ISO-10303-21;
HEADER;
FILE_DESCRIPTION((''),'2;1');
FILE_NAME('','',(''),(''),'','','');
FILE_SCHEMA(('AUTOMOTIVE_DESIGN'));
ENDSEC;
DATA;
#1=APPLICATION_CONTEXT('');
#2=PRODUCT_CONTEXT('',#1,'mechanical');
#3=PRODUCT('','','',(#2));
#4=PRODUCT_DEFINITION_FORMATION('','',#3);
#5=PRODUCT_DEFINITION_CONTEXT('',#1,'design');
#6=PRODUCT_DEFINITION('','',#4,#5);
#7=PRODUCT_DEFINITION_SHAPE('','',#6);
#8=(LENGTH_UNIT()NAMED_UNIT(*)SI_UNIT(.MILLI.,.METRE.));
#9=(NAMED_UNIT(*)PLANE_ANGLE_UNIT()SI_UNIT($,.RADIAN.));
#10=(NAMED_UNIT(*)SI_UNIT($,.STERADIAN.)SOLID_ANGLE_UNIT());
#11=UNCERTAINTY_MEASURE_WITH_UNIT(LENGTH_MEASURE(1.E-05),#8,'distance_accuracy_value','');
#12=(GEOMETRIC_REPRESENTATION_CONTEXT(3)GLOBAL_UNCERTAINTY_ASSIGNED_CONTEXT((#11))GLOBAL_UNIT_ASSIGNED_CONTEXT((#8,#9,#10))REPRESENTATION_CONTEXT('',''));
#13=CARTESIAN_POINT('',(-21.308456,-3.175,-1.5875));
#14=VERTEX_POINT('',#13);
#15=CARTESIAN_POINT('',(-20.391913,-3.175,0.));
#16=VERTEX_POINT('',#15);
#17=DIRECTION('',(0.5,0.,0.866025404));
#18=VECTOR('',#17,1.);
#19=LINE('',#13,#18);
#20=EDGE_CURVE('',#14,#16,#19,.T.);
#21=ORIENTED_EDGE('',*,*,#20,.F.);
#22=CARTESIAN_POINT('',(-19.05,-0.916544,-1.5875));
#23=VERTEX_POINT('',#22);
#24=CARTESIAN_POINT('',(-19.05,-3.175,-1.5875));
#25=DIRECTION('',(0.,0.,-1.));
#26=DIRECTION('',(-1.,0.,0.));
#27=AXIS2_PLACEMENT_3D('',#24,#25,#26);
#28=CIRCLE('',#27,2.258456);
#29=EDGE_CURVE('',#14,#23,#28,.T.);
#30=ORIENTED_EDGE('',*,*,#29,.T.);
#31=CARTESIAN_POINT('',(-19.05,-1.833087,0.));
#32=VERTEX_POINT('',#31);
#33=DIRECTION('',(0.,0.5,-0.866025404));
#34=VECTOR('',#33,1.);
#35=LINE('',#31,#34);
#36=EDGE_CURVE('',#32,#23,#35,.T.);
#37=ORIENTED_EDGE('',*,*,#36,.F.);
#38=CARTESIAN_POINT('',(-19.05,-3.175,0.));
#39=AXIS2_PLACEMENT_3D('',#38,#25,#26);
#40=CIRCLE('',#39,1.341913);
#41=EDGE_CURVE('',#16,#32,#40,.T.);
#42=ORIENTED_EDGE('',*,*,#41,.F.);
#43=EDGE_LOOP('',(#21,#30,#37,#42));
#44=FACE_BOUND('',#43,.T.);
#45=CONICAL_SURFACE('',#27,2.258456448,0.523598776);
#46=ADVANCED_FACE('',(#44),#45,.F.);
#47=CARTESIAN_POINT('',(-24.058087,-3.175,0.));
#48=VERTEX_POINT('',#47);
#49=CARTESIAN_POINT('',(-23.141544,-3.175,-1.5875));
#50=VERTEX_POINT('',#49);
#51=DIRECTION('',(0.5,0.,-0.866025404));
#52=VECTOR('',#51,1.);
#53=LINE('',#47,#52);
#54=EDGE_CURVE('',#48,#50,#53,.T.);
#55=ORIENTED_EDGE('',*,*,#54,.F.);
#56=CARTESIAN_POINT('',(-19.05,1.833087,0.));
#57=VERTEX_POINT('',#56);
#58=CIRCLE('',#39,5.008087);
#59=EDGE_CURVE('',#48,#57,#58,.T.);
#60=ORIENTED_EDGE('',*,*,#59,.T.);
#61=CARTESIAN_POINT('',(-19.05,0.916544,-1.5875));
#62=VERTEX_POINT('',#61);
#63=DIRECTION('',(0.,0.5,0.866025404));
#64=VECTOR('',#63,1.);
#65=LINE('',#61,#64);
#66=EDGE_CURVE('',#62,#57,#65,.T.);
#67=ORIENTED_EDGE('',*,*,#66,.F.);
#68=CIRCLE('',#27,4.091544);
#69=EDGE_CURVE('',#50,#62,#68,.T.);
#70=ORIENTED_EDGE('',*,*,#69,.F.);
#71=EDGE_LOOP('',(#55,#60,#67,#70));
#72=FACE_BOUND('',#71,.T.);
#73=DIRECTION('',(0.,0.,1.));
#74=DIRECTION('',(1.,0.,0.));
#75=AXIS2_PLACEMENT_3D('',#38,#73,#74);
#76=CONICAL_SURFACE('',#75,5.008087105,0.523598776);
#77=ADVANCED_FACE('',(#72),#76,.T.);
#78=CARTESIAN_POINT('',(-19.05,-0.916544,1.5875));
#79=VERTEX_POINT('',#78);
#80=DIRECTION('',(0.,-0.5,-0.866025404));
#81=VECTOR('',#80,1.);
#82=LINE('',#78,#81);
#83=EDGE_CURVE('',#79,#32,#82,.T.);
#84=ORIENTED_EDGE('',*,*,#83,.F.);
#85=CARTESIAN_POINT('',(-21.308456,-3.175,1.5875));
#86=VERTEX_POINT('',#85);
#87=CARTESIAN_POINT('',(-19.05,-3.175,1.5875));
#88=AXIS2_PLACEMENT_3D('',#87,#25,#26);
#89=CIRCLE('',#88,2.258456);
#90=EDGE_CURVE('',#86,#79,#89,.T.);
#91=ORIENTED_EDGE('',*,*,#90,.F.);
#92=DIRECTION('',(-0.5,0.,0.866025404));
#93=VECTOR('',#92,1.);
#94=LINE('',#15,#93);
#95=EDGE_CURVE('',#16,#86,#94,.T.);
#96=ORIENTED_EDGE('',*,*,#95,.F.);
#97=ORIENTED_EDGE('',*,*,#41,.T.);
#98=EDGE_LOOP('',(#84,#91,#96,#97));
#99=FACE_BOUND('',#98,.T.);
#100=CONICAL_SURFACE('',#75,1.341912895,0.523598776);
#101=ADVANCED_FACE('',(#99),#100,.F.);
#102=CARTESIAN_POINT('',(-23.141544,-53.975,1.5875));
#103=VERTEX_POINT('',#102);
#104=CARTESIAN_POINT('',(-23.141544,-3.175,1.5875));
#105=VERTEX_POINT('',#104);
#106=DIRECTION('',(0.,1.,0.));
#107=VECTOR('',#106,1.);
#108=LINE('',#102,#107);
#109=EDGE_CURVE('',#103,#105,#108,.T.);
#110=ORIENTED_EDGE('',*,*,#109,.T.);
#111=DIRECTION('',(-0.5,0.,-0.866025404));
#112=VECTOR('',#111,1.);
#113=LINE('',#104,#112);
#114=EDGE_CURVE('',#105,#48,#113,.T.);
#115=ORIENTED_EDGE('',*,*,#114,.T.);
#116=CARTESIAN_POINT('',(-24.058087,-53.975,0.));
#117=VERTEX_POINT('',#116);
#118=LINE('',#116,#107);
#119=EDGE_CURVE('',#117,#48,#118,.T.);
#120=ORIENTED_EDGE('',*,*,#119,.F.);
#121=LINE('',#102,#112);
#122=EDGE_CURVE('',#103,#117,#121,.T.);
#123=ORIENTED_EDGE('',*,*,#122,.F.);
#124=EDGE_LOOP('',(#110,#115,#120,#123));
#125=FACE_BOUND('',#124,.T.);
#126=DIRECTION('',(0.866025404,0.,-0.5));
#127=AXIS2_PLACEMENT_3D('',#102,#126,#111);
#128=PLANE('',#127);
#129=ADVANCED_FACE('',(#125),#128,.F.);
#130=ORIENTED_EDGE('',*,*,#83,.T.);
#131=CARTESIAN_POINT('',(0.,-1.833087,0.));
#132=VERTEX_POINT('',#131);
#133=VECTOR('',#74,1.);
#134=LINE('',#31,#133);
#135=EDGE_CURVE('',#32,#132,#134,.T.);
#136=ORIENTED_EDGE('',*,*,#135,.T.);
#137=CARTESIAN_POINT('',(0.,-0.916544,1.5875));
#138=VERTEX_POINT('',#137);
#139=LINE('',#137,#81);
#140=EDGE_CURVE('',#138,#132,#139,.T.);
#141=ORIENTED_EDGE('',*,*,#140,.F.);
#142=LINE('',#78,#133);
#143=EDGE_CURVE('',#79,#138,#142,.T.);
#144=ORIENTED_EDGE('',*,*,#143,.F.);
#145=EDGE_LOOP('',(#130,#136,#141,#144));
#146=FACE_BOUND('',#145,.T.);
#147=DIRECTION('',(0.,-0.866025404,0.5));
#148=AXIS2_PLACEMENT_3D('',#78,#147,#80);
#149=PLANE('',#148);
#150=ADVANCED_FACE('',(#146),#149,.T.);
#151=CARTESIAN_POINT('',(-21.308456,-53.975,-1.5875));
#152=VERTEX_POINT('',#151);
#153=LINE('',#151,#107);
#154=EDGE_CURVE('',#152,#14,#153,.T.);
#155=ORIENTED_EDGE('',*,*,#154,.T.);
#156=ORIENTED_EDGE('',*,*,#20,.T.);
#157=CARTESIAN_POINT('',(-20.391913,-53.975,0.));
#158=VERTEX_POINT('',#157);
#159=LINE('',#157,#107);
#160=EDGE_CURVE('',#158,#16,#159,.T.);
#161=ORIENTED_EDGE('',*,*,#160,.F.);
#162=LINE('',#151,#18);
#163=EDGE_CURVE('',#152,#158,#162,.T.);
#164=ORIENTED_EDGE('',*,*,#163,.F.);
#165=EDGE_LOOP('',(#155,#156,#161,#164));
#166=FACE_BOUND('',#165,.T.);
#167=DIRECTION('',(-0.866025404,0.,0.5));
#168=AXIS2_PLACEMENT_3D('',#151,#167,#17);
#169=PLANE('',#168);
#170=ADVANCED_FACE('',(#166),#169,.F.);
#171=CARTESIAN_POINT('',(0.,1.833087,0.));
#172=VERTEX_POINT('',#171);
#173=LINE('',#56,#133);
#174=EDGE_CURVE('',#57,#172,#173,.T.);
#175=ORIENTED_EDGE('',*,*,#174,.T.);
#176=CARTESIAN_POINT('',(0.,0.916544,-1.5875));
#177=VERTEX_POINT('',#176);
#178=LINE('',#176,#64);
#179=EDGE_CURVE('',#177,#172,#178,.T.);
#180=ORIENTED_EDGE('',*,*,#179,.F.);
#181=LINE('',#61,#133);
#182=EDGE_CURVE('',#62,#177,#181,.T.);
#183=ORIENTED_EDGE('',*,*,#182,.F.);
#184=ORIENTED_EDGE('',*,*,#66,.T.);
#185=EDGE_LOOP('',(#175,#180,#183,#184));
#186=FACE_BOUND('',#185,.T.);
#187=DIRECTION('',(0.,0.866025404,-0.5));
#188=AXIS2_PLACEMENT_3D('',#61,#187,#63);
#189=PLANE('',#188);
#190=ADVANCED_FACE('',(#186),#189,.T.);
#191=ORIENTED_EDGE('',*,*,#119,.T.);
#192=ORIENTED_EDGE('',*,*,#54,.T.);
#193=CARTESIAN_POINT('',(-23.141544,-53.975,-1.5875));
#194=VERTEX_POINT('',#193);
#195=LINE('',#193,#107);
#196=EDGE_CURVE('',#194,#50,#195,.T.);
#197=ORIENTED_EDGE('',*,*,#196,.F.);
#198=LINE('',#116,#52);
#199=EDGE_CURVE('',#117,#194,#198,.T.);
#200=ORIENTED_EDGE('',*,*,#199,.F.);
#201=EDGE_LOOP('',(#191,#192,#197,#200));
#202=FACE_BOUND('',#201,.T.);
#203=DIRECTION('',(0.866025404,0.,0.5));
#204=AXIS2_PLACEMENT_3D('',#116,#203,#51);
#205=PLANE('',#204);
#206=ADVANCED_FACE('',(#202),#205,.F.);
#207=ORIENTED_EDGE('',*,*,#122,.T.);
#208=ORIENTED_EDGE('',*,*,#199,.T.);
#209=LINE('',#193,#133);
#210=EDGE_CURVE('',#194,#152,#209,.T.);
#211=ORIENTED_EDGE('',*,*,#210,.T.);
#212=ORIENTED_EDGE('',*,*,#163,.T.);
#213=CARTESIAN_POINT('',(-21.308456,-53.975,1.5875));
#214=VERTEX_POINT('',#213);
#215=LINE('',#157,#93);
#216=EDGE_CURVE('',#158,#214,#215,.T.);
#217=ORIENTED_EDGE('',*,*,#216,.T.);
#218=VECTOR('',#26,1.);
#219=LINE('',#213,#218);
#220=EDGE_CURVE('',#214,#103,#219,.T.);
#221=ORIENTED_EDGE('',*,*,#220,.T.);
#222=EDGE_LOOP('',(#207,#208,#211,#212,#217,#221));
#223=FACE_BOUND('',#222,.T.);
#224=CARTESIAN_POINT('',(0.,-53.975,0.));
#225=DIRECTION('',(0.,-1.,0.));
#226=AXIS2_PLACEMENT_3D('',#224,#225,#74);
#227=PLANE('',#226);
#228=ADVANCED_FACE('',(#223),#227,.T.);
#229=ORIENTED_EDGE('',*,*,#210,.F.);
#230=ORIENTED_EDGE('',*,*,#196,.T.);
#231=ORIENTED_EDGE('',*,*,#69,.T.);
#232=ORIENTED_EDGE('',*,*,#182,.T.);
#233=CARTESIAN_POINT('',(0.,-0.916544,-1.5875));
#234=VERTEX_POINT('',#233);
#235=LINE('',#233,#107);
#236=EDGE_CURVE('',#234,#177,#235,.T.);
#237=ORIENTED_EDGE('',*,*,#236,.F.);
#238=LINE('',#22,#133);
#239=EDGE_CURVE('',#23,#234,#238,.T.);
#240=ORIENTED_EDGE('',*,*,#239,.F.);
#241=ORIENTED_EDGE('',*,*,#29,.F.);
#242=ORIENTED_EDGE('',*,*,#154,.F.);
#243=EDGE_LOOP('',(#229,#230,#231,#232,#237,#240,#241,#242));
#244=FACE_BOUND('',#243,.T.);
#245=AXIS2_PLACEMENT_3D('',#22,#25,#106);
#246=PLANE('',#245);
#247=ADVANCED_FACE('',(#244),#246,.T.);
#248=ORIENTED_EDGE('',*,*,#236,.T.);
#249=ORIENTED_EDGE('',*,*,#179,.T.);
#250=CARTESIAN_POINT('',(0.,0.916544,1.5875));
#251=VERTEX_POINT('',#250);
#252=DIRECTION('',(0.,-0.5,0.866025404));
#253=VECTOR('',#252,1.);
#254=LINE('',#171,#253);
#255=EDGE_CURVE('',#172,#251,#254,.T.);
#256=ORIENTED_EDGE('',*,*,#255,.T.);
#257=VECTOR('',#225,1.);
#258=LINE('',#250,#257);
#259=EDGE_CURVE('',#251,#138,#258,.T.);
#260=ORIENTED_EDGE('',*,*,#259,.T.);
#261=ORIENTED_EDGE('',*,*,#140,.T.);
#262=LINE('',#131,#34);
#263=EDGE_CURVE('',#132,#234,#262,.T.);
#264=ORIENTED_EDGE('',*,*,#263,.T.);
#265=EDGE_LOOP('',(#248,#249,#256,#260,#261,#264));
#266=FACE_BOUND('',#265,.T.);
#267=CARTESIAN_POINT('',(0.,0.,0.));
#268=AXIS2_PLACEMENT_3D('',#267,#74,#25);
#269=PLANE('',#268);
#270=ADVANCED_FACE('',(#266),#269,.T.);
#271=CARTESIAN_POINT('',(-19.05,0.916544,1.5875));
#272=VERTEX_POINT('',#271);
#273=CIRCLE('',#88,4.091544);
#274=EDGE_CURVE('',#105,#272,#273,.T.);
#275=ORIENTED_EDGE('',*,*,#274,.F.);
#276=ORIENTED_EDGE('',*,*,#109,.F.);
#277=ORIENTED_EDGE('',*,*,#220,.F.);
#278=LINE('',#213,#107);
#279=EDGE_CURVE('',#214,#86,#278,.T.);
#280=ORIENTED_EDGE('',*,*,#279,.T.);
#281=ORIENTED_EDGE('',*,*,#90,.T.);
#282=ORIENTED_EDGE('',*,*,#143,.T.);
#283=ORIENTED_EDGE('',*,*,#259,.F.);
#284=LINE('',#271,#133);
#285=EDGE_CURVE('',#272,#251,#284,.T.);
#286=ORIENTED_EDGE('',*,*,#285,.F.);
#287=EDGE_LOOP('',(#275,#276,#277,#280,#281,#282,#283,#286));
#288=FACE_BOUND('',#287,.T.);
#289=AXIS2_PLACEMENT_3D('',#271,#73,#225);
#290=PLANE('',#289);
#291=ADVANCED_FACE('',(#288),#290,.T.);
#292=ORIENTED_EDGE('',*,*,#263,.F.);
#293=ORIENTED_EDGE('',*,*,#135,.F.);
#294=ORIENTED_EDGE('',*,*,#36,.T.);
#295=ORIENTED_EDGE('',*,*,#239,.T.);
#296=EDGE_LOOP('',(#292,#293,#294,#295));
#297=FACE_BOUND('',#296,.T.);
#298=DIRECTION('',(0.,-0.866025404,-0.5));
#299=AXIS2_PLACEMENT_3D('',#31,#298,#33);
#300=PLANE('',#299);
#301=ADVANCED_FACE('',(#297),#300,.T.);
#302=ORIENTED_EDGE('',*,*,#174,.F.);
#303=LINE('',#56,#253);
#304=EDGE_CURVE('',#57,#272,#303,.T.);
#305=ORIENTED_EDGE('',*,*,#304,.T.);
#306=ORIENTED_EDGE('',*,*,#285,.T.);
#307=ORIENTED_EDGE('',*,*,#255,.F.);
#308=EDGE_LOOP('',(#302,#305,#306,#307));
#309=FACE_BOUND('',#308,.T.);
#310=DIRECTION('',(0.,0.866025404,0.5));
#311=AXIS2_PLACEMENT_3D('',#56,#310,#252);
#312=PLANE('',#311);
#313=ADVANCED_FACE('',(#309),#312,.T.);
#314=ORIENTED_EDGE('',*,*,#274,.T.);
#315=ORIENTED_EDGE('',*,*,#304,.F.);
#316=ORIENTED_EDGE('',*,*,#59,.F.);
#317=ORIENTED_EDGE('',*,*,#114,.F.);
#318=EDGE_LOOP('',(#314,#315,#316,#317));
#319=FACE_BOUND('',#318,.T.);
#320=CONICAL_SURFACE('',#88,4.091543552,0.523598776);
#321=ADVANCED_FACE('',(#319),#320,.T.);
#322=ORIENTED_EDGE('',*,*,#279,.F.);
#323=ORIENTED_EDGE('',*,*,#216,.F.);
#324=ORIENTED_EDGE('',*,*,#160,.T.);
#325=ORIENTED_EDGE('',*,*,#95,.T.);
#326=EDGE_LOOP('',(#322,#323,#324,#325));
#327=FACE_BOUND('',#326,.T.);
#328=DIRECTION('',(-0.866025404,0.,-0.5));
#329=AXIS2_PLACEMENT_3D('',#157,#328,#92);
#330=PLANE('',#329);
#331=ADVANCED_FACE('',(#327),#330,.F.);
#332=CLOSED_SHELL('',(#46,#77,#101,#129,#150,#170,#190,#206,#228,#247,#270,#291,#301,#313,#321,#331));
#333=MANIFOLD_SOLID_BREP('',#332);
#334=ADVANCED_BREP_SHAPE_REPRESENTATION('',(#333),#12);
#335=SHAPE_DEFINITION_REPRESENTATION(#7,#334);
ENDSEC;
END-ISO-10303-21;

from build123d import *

# Parameters (mm, degrees)
BOSS_EXTRUDE1_DEPTH = 19.05
REVOLVE4_ANGLE      = 90
BOSS_EXTRUDE2_DEPTH = 50.8


with BuildPart() as part:
    # Sketch1 → Boss-Extrude1 (new body)
    with BuildSketch(Plane(origin=(0, 0, 0), x_dir=(0, 0, -1), z_dir=(1, 0, 0))):
        Polygon((1.5875, 0.916543552), (0, 1.833087105), (-1.5875, 0.916543552), (-1.5875, -0.916543552), (0, -1.833087105), (1.5875, -0.916543552), align=None)
    extrude(amount=-BOSS_EXTRUDE1_DEPTH)

    # Sketch3 → Revolve4 (revolve)
    with BuildSketch(Plane.ZY.offset(19.05)):
        Polygon((-1.5875, 0.916543552), (-1.5875, -0.916543552), (0, -1.833087105), (1.5875, -0.916543552), (1.5875, 0.916543552), (0, 1.833087105), align=None)
    revolve(axis=Axis((-19.05, -3.175, 0), (0, 0, 1)), revolution_arc=REVOLVE4_ANGLE)

    # Sketch4 → Boss-Extrude2 (add)
    with BuildSketch(Plane.XZ.offset(3.175)):
        Polygon((-24.058087105, 0), (-23.141543552, -1.5875), (-21.308456448, -1.5875), (-20.391912895, 0), (-21.308456448, 1.5875), (-23.141543552, 1.5875), align=None)
    extrude(amount=BOSS_EXTRUDE2_DEPTH)


solid = part.part
